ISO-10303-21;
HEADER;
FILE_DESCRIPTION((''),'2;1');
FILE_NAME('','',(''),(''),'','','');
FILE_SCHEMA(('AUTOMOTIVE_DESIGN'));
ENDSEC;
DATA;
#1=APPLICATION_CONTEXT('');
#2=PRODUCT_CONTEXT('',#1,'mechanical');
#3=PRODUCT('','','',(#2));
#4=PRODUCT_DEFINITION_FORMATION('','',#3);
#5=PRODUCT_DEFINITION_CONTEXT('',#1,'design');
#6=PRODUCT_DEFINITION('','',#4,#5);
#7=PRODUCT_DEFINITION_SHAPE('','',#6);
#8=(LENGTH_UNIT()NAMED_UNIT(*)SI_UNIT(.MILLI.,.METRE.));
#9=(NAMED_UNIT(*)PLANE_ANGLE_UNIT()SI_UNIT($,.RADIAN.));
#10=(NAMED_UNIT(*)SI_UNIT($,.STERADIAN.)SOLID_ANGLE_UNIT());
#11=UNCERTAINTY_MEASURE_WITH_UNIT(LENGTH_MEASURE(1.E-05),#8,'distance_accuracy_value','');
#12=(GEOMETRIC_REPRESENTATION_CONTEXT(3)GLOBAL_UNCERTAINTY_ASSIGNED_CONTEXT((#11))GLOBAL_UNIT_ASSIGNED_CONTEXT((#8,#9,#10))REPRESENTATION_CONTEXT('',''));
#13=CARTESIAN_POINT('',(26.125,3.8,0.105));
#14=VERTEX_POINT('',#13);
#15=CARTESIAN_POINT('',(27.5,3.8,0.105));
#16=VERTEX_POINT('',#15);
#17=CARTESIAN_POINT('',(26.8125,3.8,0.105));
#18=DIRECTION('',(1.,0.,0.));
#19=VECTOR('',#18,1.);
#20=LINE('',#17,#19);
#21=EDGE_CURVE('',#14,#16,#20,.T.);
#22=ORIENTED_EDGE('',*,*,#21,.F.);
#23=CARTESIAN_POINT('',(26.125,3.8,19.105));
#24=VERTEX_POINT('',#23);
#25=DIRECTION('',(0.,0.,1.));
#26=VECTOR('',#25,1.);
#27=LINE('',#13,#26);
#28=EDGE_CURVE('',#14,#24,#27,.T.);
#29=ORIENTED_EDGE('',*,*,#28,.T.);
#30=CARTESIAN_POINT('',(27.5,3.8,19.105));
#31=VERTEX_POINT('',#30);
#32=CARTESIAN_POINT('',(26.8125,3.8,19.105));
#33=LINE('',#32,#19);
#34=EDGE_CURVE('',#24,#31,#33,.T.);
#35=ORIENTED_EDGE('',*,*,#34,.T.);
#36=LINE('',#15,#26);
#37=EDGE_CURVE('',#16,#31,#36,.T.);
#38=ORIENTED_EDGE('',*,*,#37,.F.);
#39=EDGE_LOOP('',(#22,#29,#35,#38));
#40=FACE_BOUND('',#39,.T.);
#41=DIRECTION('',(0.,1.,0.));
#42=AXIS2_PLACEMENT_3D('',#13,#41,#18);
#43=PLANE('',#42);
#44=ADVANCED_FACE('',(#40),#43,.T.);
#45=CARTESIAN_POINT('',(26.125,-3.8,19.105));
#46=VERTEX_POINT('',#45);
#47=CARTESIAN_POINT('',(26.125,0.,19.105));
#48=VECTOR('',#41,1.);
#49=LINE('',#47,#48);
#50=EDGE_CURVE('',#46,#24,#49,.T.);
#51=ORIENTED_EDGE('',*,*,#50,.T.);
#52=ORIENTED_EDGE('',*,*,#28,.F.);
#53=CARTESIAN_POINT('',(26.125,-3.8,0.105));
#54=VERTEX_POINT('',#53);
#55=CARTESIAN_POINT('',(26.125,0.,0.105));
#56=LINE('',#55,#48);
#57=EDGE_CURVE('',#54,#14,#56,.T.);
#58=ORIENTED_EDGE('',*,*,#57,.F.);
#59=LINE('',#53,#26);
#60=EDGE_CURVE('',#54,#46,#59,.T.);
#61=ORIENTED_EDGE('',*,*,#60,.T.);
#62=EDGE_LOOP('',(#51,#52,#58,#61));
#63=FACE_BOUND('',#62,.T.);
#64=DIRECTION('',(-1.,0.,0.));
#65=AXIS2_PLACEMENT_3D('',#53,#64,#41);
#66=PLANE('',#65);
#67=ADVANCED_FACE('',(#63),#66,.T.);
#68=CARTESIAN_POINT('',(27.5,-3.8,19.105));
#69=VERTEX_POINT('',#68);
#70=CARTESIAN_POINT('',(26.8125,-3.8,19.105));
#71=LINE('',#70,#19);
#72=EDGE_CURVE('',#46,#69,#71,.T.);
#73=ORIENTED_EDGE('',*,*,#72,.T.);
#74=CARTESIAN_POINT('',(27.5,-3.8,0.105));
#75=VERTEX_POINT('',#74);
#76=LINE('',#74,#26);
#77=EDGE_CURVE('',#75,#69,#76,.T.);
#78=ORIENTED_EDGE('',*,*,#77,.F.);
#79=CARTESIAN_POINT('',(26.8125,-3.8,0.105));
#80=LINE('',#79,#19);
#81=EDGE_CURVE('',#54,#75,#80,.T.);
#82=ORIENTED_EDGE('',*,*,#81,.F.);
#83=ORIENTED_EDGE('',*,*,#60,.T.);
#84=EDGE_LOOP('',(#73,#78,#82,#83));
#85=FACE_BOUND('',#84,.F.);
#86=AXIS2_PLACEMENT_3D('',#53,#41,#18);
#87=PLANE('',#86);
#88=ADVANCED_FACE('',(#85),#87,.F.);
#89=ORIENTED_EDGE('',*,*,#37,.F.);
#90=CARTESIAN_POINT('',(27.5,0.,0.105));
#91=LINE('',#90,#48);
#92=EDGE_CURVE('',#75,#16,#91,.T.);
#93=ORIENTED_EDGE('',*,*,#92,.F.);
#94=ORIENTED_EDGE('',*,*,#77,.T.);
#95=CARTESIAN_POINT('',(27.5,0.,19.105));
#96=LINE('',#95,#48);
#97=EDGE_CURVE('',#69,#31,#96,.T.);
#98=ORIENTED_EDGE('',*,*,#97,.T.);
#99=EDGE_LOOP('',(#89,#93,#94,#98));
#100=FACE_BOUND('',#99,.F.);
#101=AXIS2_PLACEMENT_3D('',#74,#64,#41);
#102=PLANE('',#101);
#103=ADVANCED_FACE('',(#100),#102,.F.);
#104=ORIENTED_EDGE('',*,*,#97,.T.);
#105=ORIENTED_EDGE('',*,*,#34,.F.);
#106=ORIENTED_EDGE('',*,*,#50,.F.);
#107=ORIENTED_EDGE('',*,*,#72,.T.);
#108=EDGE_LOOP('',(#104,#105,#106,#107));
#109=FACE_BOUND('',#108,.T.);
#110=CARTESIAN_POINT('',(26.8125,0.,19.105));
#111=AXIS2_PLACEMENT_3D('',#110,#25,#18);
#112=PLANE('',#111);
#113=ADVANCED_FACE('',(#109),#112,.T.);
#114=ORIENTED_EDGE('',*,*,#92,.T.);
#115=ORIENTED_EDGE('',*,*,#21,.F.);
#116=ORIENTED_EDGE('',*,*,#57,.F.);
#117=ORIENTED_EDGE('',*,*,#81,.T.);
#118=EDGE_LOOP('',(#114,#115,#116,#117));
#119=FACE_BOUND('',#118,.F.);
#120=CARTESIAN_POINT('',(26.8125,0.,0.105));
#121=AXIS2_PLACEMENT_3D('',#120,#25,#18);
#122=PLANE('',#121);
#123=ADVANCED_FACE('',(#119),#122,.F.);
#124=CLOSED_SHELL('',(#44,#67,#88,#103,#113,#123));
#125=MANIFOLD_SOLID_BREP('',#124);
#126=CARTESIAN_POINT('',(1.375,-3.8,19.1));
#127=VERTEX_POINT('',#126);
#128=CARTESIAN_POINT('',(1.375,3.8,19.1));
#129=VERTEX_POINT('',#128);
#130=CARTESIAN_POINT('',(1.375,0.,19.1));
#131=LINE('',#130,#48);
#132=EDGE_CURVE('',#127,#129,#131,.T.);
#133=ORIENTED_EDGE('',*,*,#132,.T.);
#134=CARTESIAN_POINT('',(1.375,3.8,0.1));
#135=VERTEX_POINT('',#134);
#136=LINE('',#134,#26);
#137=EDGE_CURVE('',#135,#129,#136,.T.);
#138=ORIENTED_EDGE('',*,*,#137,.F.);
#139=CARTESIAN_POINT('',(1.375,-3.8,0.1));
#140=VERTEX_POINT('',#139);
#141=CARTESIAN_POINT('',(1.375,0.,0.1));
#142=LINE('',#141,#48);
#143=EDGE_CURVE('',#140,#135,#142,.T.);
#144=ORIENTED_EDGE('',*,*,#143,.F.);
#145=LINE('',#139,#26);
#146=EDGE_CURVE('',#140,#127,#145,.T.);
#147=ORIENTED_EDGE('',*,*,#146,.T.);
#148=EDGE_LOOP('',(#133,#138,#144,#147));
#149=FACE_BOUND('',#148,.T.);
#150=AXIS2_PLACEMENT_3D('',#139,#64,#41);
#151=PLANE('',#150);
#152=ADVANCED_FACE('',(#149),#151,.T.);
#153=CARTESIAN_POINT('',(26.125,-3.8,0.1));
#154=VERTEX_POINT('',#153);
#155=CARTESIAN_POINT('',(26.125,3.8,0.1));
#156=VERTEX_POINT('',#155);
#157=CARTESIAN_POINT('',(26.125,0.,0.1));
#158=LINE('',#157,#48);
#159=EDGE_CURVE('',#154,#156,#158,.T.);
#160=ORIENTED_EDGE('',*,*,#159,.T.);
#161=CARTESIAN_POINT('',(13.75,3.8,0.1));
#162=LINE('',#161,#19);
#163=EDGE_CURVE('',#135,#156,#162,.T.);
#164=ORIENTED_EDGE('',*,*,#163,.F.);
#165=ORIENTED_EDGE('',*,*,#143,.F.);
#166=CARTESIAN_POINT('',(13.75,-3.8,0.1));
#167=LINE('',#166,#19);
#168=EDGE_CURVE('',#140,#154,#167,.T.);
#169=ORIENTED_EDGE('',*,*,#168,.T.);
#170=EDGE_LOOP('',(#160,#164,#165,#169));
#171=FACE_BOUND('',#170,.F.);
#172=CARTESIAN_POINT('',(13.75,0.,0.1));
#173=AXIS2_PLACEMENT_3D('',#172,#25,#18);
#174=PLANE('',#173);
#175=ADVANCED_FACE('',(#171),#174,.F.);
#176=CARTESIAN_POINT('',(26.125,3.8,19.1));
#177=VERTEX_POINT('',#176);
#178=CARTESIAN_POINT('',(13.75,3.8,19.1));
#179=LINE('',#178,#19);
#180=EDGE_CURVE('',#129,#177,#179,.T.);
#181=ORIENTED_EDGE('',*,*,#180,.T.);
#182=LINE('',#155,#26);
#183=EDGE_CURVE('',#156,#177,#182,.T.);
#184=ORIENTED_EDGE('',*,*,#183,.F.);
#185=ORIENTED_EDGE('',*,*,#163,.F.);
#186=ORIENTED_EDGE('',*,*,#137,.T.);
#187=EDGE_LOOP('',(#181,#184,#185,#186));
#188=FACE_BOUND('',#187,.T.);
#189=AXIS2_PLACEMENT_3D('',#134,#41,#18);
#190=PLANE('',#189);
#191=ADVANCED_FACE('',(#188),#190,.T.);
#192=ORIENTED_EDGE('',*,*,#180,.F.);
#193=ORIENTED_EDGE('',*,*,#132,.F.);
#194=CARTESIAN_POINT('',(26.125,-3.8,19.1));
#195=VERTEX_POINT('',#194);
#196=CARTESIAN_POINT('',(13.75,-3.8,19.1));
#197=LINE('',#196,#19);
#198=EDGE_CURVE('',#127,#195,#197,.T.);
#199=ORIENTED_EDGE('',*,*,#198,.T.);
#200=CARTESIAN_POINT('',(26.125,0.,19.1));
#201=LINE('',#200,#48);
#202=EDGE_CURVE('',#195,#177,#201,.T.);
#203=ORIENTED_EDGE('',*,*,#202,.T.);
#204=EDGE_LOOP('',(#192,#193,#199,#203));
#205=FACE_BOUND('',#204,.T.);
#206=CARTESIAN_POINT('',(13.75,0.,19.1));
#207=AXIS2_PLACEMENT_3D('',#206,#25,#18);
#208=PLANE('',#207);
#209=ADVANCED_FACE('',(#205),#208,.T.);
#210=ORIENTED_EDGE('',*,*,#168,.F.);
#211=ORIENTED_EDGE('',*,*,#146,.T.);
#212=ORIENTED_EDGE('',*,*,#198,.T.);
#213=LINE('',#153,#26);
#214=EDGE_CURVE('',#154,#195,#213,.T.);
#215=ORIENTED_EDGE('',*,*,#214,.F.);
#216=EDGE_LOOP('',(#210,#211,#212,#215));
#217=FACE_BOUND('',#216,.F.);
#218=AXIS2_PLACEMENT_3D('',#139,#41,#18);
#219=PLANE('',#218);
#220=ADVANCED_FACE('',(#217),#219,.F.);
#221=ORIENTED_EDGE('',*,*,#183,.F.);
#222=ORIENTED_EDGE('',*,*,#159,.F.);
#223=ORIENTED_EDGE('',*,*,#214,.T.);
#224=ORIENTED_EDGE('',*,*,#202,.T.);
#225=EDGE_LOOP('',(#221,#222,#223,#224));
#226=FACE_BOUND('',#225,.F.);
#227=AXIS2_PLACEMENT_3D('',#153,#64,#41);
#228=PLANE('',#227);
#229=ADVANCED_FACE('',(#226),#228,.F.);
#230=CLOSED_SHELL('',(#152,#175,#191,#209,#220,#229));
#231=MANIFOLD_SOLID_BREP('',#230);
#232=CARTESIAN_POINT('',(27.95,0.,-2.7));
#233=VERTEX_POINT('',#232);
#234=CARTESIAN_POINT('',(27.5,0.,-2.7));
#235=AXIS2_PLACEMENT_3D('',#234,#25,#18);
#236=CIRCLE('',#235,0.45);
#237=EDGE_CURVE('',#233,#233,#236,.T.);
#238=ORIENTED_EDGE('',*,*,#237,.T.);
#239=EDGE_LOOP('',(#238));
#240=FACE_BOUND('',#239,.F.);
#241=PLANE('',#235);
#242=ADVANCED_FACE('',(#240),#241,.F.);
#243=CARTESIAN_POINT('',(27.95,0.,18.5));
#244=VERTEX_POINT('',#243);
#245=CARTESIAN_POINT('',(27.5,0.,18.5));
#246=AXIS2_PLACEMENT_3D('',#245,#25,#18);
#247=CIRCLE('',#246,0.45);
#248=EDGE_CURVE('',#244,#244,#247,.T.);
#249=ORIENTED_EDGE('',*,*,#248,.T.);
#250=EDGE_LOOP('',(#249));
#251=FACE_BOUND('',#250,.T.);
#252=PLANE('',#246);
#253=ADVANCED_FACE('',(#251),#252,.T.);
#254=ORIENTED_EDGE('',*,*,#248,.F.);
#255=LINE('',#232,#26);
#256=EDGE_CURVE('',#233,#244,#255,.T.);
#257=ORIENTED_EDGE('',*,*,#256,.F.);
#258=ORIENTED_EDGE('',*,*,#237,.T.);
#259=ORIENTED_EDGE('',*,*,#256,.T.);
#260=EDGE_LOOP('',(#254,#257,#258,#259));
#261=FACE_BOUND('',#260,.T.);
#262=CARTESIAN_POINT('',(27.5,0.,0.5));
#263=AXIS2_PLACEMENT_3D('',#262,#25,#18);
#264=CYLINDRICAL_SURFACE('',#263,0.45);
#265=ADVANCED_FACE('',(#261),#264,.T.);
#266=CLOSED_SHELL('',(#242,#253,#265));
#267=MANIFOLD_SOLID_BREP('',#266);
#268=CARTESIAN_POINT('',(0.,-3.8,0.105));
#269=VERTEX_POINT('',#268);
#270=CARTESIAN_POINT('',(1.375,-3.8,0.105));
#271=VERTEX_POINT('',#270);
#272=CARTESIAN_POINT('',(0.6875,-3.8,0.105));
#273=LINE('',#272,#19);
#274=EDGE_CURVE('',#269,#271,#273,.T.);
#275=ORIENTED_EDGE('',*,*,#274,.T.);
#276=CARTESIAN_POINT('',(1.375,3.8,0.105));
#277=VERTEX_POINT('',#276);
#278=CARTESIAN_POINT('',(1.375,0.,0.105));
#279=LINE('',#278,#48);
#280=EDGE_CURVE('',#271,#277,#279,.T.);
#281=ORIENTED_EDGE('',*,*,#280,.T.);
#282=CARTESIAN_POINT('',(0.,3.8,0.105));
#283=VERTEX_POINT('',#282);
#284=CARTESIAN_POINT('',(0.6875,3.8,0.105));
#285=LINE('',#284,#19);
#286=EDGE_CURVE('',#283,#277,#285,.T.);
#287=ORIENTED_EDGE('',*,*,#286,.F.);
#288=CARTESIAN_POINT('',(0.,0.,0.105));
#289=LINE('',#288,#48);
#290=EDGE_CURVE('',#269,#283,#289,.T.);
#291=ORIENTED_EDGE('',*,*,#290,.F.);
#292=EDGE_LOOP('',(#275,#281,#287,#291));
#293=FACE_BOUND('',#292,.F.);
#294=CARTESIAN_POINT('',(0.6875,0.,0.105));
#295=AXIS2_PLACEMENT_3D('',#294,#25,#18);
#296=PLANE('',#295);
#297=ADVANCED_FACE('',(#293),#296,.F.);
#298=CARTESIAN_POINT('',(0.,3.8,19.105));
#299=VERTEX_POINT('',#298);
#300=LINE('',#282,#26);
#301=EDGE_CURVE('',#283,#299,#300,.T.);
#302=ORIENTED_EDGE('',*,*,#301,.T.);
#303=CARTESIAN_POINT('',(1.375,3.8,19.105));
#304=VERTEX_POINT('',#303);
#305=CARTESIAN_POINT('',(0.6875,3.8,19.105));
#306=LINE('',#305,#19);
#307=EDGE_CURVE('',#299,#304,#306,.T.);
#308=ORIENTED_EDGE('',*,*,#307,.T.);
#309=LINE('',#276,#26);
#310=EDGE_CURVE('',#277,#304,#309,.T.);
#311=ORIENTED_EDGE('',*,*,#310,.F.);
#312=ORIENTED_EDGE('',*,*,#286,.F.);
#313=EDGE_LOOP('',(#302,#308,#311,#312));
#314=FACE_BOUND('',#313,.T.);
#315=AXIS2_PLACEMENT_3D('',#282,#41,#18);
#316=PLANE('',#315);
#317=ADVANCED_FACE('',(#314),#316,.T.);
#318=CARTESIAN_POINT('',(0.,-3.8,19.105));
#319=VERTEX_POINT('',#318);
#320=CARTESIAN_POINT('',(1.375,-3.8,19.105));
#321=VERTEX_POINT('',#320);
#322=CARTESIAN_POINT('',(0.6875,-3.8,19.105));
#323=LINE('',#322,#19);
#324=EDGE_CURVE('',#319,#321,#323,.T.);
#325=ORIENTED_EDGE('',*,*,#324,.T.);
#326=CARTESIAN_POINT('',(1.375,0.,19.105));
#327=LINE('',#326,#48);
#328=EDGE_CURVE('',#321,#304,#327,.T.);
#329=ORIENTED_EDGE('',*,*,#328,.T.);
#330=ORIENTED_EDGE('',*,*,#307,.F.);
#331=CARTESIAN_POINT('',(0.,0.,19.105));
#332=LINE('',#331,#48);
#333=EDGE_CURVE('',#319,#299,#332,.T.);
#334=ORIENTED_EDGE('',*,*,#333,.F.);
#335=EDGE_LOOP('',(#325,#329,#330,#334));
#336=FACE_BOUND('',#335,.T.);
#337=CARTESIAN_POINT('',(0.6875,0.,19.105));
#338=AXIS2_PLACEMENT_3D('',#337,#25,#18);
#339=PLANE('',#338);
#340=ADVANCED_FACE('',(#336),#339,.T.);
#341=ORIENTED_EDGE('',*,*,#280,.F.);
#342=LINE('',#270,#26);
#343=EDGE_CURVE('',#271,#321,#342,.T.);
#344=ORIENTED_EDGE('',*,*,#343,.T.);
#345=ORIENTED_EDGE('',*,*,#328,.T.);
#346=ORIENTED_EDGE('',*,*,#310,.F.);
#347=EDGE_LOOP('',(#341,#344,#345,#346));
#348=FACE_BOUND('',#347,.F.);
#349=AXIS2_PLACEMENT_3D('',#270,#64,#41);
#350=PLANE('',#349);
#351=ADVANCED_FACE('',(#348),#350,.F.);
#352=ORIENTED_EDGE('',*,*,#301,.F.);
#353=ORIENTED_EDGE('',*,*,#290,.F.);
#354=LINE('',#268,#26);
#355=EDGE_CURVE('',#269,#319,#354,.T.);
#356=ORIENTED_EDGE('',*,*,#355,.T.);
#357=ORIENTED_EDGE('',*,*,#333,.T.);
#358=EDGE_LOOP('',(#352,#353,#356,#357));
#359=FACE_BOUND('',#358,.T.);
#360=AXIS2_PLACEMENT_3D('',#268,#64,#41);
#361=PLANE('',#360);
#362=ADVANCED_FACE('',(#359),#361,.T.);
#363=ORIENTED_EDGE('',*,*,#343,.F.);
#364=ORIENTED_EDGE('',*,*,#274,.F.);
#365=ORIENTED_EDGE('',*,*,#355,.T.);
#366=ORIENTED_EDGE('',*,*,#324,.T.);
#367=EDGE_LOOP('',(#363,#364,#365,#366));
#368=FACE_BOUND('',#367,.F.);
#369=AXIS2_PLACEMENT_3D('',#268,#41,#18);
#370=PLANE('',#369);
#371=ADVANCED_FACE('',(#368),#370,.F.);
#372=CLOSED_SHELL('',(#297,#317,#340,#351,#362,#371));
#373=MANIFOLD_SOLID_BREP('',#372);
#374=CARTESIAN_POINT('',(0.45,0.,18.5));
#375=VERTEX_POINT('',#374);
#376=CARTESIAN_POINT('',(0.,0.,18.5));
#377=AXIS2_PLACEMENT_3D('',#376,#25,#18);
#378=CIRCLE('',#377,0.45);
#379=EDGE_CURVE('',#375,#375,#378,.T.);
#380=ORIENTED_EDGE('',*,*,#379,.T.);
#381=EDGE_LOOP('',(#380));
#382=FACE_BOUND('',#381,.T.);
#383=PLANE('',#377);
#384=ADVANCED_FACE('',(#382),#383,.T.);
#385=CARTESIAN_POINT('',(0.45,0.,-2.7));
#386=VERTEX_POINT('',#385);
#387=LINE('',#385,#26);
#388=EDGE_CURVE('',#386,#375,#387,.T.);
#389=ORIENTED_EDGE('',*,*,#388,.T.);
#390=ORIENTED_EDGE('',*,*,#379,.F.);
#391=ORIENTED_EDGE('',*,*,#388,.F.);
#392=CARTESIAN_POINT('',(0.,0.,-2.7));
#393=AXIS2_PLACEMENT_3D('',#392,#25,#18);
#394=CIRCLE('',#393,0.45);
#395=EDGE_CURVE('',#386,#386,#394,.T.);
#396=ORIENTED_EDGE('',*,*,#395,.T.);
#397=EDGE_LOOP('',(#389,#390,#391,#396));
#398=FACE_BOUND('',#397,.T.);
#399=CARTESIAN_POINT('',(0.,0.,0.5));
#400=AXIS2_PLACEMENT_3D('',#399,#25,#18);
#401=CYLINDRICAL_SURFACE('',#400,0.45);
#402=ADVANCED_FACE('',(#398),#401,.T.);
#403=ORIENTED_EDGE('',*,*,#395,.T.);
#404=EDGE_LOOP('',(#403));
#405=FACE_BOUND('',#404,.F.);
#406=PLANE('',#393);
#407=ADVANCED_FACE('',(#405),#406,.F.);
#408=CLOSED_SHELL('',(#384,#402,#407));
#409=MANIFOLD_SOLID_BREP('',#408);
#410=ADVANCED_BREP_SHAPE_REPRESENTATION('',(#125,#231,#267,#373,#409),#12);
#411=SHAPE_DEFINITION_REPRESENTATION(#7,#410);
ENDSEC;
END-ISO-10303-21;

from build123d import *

# Parameters (mm, degrees)
SKETCH_W          = 24.75
SKETCH_H          = 7.6
PAD_DEPTH         = 19
SKETCH001_R       = 0.45
PAD001_DEPTH      = 18
PAD001_DEPTH_BACK = 3.2
SKETCH002_W       = 1.375
SKETCH002_H       = 7.6
PAD002_DEPTH      = 19


with BuildPart() as pad:
    # Sketch → Pad (new body)
    with BuildSketch(Plane.XY.offset(0.1)):
        with Locations((13.75, 0)):
            Rectangle(SKETCH_W, SKETCH_H)
    extrude(amount=PAD_DEPTH)


with BuildPart() as pad001:
    # Sketch001 → Pad001 (new body, two sides)
    with BuildSketch(Plane.XY.offset(0.5)) as pad001_sk:
        Circle(SKETCH001_R)
        with Locations((27.5, 0)):
            Circle(SKETCH001_R)
    extrude(amount=PAD001_DEPTH)
    extrude(pad001_sk.sketch, amount=-PAD001_DEPTH_BACK)


with BuildPart() as pad002:
    # Sketch002 → Pad002 (new body)
    with BuildSketch(Plane.XY.offset(0.105)):
        with Locations((0.6875, 0)):
            Rectangle(SKETCH002_W, SKETCH002_H)
        with Locations((26.8125, 0)):
            Rectangle(SKETCH002_W, SKETCH002_H)
    extrude(amount=PAD002_DEPTH)


solid = Compound([pad.part, pad001.part, pad002.part])
